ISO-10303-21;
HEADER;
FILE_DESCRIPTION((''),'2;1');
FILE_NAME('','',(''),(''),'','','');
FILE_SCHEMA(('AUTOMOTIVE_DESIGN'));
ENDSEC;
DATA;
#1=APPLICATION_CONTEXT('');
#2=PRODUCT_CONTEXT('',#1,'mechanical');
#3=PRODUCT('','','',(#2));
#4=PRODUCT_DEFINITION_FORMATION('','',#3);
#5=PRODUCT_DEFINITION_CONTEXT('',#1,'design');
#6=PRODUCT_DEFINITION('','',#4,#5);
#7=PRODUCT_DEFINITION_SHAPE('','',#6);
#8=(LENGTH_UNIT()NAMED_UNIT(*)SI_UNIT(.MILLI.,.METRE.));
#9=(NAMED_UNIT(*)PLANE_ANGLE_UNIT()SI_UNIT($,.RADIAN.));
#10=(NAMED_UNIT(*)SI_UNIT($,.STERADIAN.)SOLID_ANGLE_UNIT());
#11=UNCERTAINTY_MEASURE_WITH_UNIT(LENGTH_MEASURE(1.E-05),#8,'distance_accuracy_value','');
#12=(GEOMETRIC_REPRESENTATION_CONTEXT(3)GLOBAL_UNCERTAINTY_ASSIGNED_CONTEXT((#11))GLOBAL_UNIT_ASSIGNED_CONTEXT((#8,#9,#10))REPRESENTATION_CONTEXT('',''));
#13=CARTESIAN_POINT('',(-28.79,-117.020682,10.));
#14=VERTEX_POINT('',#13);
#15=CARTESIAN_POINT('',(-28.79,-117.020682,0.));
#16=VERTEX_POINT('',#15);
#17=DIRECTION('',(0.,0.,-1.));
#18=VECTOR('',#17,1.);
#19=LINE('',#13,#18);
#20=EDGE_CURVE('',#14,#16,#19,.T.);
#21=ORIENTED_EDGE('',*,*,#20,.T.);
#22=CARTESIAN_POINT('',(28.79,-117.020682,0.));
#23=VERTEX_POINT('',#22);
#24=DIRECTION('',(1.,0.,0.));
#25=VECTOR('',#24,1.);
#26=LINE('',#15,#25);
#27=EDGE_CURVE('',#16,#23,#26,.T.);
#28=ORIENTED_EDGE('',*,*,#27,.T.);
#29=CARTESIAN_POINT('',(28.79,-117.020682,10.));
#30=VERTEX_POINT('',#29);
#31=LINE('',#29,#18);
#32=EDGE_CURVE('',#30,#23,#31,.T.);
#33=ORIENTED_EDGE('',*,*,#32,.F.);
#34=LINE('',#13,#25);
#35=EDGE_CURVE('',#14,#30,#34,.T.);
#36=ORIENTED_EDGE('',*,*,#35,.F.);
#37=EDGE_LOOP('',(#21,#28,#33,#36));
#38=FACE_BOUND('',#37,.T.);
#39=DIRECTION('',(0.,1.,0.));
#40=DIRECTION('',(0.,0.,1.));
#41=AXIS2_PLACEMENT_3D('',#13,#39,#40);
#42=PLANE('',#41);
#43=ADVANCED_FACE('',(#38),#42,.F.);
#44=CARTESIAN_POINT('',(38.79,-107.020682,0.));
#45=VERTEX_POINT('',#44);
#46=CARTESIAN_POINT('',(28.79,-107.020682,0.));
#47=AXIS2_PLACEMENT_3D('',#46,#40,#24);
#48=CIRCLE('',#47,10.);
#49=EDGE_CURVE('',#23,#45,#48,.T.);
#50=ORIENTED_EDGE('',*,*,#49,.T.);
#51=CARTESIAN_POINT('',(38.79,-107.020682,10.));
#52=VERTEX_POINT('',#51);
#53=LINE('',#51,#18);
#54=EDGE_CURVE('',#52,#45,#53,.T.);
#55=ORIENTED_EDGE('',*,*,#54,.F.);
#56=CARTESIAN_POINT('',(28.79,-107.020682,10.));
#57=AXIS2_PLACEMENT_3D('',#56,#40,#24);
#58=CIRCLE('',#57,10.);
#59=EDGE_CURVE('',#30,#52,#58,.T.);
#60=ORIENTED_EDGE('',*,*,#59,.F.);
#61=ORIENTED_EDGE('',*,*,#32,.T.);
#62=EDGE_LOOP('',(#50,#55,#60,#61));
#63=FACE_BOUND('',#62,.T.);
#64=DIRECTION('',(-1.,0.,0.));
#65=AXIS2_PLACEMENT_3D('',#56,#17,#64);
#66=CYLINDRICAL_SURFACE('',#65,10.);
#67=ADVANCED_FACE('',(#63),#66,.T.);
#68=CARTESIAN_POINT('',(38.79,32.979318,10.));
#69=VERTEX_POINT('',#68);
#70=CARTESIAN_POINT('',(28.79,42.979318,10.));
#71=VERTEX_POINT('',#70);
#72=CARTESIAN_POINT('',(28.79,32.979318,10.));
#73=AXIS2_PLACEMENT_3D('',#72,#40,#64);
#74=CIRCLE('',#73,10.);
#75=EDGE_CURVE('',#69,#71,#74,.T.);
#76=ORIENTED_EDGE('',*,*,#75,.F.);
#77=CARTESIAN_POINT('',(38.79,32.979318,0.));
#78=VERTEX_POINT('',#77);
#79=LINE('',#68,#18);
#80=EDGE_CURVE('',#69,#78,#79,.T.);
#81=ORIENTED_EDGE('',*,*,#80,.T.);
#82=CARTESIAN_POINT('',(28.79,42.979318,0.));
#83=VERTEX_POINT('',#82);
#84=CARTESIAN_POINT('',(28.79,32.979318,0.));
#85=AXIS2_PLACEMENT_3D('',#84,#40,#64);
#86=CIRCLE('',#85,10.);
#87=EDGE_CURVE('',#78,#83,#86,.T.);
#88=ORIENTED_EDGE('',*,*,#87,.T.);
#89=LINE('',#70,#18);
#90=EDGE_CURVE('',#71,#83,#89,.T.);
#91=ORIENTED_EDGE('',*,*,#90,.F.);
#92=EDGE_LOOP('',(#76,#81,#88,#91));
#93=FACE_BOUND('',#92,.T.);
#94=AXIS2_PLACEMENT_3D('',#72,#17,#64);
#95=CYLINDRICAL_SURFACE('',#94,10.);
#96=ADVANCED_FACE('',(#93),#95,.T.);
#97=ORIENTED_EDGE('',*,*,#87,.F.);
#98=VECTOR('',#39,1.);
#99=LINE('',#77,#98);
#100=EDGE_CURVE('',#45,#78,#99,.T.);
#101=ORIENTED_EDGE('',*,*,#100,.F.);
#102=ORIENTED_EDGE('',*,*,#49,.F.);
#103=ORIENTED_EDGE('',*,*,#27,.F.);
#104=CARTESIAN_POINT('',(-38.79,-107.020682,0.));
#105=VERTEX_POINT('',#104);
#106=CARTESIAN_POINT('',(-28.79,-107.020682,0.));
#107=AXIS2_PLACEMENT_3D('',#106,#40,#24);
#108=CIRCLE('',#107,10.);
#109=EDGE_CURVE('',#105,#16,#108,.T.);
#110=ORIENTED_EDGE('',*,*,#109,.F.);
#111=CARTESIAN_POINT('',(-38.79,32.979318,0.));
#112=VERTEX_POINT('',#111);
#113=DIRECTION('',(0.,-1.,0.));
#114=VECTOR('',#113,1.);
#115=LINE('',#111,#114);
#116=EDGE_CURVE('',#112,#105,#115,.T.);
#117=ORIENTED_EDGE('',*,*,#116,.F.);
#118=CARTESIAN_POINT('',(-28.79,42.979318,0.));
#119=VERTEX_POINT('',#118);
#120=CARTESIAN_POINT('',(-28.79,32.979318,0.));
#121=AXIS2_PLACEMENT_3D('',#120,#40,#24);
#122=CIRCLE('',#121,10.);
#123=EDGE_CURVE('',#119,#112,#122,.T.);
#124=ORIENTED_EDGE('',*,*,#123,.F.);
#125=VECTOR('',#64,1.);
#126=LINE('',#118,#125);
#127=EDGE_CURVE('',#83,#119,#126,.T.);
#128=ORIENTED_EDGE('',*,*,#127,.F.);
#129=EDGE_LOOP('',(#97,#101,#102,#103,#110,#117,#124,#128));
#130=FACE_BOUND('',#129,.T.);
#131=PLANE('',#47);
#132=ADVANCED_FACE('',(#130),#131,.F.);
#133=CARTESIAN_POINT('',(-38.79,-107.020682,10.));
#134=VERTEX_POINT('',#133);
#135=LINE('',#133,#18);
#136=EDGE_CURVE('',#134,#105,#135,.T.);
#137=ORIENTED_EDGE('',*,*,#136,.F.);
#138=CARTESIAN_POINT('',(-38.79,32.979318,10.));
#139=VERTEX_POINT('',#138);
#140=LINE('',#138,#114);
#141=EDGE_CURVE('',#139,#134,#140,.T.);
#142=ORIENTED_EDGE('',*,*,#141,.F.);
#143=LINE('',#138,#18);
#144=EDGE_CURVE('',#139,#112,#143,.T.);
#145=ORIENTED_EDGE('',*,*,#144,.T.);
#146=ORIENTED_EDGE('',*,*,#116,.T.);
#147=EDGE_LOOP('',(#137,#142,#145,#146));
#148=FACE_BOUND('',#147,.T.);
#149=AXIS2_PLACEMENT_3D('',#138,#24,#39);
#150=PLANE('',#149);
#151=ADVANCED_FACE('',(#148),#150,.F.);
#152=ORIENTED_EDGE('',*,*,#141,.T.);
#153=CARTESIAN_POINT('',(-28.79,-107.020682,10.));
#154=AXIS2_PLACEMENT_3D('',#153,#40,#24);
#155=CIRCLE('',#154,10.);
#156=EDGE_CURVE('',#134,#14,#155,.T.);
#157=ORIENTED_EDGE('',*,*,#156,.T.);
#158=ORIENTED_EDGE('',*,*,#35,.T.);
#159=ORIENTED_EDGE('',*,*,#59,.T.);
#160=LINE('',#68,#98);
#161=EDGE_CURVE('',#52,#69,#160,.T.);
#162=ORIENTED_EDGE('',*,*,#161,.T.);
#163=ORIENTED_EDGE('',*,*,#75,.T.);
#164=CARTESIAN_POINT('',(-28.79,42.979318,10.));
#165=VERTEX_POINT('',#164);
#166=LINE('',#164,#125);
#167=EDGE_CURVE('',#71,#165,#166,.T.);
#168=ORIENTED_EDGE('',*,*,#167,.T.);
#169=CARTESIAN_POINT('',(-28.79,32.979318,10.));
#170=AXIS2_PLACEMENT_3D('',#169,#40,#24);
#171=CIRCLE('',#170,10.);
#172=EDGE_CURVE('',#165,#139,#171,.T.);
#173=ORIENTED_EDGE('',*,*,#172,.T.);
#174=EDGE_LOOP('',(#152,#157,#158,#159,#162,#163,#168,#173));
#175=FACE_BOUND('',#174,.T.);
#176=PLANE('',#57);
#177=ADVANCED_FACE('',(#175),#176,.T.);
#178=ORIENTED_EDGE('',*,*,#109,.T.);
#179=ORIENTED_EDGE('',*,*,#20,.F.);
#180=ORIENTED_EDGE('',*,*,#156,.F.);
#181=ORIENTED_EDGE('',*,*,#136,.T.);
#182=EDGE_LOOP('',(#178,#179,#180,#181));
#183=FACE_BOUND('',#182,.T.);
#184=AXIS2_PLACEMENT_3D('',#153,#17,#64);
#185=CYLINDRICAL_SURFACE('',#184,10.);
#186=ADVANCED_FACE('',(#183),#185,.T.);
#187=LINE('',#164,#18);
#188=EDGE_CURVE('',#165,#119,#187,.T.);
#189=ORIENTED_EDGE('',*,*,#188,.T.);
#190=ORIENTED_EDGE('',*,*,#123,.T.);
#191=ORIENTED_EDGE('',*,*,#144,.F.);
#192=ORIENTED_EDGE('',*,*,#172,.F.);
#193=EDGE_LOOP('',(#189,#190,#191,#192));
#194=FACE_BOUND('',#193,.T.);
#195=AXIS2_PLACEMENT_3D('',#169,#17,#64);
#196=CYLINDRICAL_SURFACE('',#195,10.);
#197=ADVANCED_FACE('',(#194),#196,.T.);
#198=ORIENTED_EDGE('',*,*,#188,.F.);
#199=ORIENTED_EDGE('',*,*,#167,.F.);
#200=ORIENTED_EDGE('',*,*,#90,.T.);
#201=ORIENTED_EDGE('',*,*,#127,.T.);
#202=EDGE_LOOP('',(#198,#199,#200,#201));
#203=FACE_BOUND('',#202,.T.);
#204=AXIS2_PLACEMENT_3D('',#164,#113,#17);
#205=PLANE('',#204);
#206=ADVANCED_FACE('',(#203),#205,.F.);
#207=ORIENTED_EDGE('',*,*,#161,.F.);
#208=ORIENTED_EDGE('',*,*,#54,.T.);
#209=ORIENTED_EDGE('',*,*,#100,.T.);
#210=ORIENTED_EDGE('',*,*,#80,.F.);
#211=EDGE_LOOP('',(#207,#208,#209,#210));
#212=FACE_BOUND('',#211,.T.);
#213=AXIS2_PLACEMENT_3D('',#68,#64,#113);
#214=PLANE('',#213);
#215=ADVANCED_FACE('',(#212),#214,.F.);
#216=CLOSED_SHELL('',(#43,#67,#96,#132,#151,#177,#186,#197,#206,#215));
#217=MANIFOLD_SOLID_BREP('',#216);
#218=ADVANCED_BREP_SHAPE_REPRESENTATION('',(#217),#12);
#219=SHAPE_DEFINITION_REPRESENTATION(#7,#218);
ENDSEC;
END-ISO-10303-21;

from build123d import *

# Parameters (mm, degrees)
BOSS_EXTRUDE1_DEPTH = 10


with BuildPart() as part:
    # Sketch1 → Boss-Extrude1 (new body)
    with BuildSketch(Plane.XY):
        with BuildLine():
            Line((-28.79, 42.979318129), (28.79, 42.979318129))
            ThreePointArc((28.79, 42.979318129), (35.861067812, 40.050385941), (38.79, 32.979318129))
            Line((38.79, 32.979318129), (38.79, -107.020681871))
            ThreePointArc((38.79, -107.020681871), (35.861067812, -114.091749683), (28.79, -117.020681871))
            Line((28.79, -117.020681871), (-28.79, -117.020681871))
            ThreePointArc((-28.79, -117.020681871), (-35.861067812, -114.091749683), (-38.79, -107.020681871))
            Line((-38.79, -107.020681871), (-38.79, 32.979318129))
            ThreePointArc((-38.79, 32.979318129), (-35.861067812, 40.050385941), (-28.79, 42.979318129))
        make_face()
    extrude(amount=BOSS_EXTRUDE1_DEPTH)


solid = part.part
